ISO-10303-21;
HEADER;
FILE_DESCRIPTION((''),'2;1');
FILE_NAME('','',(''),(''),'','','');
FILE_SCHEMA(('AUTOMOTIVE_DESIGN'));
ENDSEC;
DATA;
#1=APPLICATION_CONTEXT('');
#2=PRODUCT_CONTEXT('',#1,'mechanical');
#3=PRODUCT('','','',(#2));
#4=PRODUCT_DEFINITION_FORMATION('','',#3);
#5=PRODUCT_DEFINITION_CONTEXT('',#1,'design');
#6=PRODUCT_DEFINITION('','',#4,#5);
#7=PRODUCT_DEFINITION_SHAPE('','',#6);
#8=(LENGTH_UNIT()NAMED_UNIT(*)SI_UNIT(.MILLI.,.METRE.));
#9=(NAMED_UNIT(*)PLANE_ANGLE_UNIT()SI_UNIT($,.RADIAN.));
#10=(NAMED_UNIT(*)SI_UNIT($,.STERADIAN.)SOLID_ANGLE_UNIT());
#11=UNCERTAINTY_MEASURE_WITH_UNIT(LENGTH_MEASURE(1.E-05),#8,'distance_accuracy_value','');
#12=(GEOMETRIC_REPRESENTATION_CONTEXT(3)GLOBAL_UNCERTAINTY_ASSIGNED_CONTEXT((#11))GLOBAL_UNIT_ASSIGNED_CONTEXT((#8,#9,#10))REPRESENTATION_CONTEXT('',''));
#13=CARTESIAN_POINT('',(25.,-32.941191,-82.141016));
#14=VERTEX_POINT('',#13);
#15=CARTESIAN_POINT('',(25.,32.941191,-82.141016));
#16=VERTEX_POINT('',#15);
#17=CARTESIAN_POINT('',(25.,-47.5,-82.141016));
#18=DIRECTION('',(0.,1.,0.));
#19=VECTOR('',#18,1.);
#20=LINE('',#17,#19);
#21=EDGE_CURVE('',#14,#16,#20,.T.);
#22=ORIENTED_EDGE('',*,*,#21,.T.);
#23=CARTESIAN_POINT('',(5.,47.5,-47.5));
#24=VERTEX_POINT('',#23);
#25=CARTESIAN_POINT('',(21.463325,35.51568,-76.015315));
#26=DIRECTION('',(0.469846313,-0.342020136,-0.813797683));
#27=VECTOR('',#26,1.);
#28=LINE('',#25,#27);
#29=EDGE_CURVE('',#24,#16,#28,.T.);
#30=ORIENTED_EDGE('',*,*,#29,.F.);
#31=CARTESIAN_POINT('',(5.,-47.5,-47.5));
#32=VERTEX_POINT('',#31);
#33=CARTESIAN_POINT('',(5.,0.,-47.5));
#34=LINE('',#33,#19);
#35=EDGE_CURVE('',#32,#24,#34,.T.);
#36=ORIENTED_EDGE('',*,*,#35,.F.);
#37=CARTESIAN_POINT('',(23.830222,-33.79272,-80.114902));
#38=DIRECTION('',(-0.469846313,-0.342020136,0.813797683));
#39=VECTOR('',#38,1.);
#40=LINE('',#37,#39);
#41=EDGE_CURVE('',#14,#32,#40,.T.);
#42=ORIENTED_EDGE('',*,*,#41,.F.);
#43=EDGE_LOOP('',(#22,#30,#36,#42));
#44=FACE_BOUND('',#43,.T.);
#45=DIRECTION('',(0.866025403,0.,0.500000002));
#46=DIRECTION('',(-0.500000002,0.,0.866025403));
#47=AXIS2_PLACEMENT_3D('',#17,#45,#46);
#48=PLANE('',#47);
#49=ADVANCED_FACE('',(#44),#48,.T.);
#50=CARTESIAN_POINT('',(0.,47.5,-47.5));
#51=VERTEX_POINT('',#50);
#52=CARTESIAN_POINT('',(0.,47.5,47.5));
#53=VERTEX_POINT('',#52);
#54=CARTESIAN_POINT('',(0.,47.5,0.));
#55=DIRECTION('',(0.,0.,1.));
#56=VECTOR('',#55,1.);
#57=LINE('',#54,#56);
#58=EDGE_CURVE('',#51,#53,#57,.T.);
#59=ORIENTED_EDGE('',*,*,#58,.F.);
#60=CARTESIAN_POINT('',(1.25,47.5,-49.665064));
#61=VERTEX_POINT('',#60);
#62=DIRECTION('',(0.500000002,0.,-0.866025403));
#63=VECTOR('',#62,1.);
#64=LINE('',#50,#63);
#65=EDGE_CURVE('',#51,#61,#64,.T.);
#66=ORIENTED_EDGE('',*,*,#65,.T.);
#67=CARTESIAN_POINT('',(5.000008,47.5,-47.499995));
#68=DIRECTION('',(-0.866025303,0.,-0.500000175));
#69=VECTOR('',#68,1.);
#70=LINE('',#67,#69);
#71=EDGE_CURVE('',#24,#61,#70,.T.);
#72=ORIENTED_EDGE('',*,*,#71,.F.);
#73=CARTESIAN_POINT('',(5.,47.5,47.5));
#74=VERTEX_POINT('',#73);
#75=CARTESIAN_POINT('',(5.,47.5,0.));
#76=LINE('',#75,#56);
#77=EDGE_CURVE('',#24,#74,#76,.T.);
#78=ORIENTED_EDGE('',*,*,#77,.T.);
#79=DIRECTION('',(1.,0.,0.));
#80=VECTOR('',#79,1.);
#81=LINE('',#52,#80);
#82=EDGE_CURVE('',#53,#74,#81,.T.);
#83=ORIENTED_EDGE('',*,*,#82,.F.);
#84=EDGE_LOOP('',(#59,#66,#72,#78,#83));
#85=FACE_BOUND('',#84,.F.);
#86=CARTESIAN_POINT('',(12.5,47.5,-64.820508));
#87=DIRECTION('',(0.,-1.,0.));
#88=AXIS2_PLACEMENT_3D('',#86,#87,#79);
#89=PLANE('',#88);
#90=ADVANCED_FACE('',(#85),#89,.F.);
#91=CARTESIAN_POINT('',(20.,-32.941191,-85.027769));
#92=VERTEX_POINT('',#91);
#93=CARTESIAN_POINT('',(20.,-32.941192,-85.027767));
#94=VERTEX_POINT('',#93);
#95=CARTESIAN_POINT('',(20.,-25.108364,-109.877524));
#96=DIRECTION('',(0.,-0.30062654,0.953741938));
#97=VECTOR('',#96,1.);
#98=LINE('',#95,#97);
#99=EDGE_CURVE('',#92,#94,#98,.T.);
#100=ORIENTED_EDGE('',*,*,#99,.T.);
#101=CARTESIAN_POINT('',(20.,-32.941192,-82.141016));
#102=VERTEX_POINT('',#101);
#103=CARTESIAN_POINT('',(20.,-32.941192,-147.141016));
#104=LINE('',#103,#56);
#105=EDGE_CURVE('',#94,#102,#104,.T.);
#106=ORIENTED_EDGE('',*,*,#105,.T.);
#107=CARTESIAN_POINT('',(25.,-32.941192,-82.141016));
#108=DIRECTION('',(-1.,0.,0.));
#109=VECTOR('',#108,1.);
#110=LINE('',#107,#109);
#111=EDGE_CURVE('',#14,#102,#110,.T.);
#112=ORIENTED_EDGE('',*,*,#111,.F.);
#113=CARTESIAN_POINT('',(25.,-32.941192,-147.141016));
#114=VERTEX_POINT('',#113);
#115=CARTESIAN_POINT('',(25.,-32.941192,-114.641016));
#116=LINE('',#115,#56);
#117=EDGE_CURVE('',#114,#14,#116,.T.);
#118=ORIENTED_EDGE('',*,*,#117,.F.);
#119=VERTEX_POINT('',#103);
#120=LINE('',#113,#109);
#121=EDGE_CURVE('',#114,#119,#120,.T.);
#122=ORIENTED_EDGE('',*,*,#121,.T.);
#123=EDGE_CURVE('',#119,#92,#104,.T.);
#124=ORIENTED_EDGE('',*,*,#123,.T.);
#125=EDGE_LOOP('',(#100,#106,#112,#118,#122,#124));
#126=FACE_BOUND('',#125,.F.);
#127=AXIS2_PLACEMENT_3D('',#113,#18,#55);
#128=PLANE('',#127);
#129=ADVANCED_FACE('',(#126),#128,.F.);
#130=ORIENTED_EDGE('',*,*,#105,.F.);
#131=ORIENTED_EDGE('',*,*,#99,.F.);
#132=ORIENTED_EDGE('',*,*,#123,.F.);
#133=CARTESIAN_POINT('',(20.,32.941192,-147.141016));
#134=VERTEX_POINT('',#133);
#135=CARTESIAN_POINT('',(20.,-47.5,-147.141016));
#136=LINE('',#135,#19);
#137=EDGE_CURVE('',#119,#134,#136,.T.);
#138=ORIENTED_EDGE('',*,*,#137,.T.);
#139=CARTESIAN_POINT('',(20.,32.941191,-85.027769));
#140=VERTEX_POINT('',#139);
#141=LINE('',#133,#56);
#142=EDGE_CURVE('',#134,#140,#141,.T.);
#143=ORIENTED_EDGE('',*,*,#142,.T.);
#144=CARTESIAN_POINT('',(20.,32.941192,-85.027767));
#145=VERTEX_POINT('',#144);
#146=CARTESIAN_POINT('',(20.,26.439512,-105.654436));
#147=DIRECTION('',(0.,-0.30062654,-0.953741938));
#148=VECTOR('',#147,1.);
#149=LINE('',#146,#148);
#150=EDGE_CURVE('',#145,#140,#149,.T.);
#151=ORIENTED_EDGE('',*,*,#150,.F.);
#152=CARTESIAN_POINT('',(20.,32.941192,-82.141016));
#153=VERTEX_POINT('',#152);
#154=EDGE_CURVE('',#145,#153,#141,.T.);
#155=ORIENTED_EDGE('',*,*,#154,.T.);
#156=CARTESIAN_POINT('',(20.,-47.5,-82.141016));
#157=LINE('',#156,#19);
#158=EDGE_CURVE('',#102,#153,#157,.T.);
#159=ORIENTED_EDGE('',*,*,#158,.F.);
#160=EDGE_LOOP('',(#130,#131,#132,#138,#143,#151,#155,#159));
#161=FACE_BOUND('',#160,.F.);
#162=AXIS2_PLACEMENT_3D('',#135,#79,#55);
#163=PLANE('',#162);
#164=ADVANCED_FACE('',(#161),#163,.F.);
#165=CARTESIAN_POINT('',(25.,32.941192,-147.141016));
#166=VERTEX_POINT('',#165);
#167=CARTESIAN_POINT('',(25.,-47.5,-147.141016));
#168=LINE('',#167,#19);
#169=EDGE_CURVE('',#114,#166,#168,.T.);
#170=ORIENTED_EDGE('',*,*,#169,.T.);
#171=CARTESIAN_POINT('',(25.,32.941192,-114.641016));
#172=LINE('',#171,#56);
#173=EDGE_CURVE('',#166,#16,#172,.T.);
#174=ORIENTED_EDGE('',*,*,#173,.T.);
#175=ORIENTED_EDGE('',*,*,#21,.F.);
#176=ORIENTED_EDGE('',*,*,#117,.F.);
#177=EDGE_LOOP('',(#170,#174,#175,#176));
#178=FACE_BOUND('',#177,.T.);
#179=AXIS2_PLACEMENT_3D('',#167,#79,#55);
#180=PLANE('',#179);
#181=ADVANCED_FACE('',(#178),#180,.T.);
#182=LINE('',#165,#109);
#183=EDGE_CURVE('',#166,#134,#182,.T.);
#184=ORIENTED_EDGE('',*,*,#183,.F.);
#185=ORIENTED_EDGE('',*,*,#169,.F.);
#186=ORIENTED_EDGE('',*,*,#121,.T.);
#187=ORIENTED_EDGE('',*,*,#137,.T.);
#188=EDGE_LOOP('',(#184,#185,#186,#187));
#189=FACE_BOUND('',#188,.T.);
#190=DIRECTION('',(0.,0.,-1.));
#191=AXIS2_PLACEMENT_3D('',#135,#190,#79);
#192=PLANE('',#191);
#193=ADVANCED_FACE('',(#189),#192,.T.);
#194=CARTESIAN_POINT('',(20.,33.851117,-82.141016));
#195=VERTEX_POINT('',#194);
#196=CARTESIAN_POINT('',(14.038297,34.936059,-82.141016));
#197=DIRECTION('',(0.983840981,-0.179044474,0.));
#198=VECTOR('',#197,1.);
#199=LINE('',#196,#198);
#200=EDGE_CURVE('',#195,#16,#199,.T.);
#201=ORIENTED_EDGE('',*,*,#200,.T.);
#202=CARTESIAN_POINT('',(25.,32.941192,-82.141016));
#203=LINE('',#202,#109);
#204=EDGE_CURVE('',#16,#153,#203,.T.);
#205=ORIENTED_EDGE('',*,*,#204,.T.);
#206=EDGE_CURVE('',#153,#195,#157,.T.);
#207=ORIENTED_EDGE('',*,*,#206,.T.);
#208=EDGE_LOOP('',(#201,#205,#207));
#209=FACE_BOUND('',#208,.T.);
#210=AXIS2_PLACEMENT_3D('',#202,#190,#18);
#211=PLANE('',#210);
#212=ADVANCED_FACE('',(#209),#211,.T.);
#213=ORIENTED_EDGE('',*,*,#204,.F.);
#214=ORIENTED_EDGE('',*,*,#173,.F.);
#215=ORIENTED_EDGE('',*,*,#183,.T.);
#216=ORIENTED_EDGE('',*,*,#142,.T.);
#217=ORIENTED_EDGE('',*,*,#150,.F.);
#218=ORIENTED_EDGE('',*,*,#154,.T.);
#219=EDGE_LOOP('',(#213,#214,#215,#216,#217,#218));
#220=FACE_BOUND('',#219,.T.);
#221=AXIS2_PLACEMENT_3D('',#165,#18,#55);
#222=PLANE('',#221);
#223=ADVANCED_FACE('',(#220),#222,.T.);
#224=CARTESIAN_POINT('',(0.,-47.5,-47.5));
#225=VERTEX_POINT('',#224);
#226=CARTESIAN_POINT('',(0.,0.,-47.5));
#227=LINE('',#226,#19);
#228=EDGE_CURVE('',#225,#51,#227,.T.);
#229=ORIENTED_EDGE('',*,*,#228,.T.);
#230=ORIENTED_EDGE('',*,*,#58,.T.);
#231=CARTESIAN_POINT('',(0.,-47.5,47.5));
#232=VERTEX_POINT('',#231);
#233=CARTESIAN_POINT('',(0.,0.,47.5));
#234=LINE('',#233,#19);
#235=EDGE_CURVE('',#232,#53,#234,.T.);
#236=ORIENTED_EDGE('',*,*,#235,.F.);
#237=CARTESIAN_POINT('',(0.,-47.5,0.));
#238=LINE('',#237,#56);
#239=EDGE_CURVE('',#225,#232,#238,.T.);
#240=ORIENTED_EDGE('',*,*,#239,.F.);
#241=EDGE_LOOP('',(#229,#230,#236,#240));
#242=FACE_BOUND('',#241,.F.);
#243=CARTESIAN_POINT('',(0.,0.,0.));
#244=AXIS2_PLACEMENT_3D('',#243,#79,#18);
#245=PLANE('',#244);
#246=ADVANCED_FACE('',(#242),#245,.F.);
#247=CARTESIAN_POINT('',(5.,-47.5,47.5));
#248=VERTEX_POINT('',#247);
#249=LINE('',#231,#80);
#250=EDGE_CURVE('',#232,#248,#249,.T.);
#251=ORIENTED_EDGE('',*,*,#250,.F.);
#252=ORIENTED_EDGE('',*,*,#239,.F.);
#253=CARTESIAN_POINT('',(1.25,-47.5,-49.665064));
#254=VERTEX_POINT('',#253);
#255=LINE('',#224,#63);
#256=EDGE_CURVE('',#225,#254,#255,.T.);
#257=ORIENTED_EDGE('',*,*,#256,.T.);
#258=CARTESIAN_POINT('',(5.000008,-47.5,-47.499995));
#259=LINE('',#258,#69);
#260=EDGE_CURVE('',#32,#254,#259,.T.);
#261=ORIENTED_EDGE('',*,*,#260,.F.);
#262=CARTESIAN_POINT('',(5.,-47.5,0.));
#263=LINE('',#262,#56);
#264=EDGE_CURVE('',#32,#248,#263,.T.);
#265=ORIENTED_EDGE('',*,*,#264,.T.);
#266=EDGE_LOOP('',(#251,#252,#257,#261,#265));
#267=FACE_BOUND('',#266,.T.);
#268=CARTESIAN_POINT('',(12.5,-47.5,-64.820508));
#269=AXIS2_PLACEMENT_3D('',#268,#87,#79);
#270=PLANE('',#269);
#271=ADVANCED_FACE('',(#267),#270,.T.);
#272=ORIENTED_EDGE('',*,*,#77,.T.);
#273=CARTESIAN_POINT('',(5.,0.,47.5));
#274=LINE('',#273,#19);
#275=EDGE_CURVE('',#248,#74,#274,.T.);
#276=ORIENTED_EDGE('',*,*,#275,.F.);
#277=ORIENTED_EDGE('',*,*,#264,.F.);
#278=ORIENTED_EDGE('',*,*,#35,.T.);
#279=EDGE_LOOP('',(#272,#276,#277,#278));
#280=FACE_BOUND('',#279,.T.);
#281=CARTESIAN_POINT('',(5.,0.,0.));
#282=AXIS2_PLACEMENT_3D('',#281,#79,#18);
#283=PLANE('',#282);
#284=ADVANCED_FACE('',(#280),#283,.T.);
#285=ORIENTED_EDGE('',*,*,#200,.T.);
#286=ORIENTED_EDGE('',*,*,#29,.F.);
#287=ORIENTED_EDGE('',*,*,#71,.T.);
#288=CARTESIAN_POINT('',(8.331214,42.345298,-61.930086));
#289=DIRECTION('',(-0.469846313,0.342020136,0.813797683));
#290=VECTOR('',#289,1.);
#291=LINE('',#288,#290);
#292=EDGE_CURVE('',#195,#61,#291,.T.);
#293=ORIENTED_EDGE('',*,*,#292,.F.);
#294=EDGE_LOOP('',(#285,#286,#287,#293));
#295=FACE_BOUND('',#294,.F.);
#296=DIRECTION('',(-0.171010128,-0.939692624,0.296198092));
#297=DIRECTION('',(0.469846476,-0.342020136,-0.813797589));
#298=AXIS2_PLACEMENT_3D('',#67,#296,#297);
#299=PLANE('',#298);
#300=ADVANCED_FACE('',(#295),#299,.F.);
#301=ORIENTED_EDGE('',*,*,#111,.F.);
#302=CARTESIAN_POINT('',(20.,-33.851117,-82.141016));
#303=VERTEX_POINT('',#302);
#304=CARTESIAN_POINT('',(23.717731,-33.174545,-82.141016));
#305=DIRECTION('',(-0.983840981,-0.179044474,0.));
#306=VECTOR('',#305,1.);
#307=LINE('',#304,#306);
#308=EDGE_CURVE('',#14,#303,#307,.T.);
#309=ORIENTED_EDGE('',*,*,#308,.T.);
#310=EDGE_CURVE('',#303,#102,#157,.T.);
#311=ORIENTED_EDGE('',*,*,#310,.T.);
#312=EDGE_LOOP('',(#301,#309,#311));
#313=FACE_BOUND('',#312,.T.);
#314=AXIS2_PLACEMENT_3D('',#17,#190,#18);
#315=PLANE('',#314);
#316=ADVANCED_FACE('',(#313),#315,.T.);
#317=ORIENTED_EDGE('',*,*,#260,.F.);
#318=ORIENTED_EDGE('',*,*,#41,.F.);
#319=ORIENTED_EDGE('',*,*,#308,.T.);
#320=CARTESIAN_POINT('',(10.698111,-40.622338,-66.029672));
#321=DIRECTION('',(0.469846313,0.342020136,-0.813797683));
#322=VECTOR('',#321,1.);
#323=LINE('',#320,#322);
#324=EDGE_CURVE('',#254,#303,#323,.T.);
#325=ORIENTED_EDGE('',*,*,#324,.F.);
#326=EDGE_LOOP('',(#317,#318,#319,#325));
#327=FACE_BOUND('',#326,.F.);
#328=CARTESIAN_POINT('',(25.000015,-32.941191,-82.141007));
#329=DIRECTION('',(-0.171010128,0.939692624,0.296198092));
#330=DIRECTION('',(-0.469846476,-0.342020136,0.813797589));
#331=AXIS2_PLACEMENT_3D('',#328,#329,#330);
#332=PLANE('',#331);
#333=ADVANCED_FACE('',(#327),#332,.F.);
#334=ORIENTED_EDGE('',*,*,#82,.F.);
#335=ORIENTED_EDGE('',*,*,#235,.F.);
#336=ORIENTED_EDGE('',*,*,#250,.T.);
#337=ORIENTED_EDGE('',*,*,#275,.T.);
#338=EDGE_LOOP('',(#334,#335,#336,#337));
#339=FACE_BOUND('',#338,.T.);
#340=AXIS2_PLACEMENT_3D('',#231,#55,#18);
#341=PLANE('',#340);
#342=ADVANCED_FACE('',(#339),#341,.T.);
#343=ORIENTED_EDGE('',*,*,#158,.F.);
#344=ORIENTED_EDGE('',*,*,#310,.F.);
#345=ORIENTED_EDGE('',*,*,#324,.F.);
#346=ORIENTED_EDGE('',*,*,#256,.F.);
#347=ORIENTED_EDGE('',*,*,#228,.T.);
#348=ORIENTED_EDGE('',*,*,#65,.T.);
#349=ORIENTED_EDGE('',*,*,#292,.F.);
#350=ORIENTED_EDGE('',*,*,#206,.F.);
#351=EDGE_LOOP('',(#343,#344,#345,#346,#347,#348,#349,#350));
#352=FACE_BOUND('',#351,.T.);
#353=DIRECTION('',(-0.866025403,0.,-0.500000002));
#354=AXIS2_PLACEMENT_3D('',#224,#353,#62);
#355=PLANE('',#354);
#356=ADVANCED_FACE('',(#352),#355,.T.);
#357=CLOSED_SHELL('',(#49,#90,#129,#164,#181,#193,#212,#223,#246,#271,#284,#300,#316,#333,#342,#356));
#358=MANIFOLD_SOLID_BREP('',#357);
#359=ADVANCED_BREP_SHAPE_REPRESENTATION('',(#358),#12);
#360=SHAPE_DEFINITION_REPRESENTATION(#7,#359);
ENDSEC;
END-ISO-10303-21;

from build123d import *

# Parameters (mm, degrees)
F0_W     = 95
F0_H     = 95
F1_DEPTH = 5
F2_W     = 5
F2_H     = 65
F3_DEPTH = 95
F5_DEPTH = 25.4
F6_W     = 14.558809
F6_H     = 65
F7_DEPTH = 25.4


with BuildPart() as f1:
    # F0 (on Right) → F1 (new body)
    with BuildSketch(Plane.YZ):
        Rectangle(F0_W, F0_H)
    extrude(amount=F1_DEPTH)

    # F2 (on face) → F3 (join, through all)
    with BuildSketch(Plane.XZ.offset(47.5)):
        Polygon((25, -82.141016), (5, -47.5), (0, -47.5), (20, -82.141016), align=None)
        with Locations((22.5, -114.641016)):
            Rectangle(F2_W, F2_H)
    extrude(amount=-F3_DEPTH)

    # F4 (on face) → F5 (cut)
    with BuildSketch(Plane(origin=(-16.818103, 0, -9.709936), x_dir=(0, 1, 0), z_dir=(0.866025, 0, 0.5))):
        Polygon((-32.941191, -83.636207), (-47.5, -43.636207), (-47.5, -83.636207), align=None)
        Polygon((47.5, -83.636207), (47.5, -43.636207), (32.941191, -83.636207), align=None)
    extrude(amount=-F5_DEPTH, mode=Mode.SUBTRACT)

    # F6 (on face) → F7 (cut)
    with BuildSketch(Plane.YZ.offset(25)):
        with Locations((-40.220596, -114.641016)):
            Rectangle(F6_W, F6_H)
        with Locations((40.220596, -114.641016)):
            Rectangle(F6_W, F6_H)
    extrude(amount=-F7_DEPTH, mode=Mode.SUBTRACT)


solid = f1.part
